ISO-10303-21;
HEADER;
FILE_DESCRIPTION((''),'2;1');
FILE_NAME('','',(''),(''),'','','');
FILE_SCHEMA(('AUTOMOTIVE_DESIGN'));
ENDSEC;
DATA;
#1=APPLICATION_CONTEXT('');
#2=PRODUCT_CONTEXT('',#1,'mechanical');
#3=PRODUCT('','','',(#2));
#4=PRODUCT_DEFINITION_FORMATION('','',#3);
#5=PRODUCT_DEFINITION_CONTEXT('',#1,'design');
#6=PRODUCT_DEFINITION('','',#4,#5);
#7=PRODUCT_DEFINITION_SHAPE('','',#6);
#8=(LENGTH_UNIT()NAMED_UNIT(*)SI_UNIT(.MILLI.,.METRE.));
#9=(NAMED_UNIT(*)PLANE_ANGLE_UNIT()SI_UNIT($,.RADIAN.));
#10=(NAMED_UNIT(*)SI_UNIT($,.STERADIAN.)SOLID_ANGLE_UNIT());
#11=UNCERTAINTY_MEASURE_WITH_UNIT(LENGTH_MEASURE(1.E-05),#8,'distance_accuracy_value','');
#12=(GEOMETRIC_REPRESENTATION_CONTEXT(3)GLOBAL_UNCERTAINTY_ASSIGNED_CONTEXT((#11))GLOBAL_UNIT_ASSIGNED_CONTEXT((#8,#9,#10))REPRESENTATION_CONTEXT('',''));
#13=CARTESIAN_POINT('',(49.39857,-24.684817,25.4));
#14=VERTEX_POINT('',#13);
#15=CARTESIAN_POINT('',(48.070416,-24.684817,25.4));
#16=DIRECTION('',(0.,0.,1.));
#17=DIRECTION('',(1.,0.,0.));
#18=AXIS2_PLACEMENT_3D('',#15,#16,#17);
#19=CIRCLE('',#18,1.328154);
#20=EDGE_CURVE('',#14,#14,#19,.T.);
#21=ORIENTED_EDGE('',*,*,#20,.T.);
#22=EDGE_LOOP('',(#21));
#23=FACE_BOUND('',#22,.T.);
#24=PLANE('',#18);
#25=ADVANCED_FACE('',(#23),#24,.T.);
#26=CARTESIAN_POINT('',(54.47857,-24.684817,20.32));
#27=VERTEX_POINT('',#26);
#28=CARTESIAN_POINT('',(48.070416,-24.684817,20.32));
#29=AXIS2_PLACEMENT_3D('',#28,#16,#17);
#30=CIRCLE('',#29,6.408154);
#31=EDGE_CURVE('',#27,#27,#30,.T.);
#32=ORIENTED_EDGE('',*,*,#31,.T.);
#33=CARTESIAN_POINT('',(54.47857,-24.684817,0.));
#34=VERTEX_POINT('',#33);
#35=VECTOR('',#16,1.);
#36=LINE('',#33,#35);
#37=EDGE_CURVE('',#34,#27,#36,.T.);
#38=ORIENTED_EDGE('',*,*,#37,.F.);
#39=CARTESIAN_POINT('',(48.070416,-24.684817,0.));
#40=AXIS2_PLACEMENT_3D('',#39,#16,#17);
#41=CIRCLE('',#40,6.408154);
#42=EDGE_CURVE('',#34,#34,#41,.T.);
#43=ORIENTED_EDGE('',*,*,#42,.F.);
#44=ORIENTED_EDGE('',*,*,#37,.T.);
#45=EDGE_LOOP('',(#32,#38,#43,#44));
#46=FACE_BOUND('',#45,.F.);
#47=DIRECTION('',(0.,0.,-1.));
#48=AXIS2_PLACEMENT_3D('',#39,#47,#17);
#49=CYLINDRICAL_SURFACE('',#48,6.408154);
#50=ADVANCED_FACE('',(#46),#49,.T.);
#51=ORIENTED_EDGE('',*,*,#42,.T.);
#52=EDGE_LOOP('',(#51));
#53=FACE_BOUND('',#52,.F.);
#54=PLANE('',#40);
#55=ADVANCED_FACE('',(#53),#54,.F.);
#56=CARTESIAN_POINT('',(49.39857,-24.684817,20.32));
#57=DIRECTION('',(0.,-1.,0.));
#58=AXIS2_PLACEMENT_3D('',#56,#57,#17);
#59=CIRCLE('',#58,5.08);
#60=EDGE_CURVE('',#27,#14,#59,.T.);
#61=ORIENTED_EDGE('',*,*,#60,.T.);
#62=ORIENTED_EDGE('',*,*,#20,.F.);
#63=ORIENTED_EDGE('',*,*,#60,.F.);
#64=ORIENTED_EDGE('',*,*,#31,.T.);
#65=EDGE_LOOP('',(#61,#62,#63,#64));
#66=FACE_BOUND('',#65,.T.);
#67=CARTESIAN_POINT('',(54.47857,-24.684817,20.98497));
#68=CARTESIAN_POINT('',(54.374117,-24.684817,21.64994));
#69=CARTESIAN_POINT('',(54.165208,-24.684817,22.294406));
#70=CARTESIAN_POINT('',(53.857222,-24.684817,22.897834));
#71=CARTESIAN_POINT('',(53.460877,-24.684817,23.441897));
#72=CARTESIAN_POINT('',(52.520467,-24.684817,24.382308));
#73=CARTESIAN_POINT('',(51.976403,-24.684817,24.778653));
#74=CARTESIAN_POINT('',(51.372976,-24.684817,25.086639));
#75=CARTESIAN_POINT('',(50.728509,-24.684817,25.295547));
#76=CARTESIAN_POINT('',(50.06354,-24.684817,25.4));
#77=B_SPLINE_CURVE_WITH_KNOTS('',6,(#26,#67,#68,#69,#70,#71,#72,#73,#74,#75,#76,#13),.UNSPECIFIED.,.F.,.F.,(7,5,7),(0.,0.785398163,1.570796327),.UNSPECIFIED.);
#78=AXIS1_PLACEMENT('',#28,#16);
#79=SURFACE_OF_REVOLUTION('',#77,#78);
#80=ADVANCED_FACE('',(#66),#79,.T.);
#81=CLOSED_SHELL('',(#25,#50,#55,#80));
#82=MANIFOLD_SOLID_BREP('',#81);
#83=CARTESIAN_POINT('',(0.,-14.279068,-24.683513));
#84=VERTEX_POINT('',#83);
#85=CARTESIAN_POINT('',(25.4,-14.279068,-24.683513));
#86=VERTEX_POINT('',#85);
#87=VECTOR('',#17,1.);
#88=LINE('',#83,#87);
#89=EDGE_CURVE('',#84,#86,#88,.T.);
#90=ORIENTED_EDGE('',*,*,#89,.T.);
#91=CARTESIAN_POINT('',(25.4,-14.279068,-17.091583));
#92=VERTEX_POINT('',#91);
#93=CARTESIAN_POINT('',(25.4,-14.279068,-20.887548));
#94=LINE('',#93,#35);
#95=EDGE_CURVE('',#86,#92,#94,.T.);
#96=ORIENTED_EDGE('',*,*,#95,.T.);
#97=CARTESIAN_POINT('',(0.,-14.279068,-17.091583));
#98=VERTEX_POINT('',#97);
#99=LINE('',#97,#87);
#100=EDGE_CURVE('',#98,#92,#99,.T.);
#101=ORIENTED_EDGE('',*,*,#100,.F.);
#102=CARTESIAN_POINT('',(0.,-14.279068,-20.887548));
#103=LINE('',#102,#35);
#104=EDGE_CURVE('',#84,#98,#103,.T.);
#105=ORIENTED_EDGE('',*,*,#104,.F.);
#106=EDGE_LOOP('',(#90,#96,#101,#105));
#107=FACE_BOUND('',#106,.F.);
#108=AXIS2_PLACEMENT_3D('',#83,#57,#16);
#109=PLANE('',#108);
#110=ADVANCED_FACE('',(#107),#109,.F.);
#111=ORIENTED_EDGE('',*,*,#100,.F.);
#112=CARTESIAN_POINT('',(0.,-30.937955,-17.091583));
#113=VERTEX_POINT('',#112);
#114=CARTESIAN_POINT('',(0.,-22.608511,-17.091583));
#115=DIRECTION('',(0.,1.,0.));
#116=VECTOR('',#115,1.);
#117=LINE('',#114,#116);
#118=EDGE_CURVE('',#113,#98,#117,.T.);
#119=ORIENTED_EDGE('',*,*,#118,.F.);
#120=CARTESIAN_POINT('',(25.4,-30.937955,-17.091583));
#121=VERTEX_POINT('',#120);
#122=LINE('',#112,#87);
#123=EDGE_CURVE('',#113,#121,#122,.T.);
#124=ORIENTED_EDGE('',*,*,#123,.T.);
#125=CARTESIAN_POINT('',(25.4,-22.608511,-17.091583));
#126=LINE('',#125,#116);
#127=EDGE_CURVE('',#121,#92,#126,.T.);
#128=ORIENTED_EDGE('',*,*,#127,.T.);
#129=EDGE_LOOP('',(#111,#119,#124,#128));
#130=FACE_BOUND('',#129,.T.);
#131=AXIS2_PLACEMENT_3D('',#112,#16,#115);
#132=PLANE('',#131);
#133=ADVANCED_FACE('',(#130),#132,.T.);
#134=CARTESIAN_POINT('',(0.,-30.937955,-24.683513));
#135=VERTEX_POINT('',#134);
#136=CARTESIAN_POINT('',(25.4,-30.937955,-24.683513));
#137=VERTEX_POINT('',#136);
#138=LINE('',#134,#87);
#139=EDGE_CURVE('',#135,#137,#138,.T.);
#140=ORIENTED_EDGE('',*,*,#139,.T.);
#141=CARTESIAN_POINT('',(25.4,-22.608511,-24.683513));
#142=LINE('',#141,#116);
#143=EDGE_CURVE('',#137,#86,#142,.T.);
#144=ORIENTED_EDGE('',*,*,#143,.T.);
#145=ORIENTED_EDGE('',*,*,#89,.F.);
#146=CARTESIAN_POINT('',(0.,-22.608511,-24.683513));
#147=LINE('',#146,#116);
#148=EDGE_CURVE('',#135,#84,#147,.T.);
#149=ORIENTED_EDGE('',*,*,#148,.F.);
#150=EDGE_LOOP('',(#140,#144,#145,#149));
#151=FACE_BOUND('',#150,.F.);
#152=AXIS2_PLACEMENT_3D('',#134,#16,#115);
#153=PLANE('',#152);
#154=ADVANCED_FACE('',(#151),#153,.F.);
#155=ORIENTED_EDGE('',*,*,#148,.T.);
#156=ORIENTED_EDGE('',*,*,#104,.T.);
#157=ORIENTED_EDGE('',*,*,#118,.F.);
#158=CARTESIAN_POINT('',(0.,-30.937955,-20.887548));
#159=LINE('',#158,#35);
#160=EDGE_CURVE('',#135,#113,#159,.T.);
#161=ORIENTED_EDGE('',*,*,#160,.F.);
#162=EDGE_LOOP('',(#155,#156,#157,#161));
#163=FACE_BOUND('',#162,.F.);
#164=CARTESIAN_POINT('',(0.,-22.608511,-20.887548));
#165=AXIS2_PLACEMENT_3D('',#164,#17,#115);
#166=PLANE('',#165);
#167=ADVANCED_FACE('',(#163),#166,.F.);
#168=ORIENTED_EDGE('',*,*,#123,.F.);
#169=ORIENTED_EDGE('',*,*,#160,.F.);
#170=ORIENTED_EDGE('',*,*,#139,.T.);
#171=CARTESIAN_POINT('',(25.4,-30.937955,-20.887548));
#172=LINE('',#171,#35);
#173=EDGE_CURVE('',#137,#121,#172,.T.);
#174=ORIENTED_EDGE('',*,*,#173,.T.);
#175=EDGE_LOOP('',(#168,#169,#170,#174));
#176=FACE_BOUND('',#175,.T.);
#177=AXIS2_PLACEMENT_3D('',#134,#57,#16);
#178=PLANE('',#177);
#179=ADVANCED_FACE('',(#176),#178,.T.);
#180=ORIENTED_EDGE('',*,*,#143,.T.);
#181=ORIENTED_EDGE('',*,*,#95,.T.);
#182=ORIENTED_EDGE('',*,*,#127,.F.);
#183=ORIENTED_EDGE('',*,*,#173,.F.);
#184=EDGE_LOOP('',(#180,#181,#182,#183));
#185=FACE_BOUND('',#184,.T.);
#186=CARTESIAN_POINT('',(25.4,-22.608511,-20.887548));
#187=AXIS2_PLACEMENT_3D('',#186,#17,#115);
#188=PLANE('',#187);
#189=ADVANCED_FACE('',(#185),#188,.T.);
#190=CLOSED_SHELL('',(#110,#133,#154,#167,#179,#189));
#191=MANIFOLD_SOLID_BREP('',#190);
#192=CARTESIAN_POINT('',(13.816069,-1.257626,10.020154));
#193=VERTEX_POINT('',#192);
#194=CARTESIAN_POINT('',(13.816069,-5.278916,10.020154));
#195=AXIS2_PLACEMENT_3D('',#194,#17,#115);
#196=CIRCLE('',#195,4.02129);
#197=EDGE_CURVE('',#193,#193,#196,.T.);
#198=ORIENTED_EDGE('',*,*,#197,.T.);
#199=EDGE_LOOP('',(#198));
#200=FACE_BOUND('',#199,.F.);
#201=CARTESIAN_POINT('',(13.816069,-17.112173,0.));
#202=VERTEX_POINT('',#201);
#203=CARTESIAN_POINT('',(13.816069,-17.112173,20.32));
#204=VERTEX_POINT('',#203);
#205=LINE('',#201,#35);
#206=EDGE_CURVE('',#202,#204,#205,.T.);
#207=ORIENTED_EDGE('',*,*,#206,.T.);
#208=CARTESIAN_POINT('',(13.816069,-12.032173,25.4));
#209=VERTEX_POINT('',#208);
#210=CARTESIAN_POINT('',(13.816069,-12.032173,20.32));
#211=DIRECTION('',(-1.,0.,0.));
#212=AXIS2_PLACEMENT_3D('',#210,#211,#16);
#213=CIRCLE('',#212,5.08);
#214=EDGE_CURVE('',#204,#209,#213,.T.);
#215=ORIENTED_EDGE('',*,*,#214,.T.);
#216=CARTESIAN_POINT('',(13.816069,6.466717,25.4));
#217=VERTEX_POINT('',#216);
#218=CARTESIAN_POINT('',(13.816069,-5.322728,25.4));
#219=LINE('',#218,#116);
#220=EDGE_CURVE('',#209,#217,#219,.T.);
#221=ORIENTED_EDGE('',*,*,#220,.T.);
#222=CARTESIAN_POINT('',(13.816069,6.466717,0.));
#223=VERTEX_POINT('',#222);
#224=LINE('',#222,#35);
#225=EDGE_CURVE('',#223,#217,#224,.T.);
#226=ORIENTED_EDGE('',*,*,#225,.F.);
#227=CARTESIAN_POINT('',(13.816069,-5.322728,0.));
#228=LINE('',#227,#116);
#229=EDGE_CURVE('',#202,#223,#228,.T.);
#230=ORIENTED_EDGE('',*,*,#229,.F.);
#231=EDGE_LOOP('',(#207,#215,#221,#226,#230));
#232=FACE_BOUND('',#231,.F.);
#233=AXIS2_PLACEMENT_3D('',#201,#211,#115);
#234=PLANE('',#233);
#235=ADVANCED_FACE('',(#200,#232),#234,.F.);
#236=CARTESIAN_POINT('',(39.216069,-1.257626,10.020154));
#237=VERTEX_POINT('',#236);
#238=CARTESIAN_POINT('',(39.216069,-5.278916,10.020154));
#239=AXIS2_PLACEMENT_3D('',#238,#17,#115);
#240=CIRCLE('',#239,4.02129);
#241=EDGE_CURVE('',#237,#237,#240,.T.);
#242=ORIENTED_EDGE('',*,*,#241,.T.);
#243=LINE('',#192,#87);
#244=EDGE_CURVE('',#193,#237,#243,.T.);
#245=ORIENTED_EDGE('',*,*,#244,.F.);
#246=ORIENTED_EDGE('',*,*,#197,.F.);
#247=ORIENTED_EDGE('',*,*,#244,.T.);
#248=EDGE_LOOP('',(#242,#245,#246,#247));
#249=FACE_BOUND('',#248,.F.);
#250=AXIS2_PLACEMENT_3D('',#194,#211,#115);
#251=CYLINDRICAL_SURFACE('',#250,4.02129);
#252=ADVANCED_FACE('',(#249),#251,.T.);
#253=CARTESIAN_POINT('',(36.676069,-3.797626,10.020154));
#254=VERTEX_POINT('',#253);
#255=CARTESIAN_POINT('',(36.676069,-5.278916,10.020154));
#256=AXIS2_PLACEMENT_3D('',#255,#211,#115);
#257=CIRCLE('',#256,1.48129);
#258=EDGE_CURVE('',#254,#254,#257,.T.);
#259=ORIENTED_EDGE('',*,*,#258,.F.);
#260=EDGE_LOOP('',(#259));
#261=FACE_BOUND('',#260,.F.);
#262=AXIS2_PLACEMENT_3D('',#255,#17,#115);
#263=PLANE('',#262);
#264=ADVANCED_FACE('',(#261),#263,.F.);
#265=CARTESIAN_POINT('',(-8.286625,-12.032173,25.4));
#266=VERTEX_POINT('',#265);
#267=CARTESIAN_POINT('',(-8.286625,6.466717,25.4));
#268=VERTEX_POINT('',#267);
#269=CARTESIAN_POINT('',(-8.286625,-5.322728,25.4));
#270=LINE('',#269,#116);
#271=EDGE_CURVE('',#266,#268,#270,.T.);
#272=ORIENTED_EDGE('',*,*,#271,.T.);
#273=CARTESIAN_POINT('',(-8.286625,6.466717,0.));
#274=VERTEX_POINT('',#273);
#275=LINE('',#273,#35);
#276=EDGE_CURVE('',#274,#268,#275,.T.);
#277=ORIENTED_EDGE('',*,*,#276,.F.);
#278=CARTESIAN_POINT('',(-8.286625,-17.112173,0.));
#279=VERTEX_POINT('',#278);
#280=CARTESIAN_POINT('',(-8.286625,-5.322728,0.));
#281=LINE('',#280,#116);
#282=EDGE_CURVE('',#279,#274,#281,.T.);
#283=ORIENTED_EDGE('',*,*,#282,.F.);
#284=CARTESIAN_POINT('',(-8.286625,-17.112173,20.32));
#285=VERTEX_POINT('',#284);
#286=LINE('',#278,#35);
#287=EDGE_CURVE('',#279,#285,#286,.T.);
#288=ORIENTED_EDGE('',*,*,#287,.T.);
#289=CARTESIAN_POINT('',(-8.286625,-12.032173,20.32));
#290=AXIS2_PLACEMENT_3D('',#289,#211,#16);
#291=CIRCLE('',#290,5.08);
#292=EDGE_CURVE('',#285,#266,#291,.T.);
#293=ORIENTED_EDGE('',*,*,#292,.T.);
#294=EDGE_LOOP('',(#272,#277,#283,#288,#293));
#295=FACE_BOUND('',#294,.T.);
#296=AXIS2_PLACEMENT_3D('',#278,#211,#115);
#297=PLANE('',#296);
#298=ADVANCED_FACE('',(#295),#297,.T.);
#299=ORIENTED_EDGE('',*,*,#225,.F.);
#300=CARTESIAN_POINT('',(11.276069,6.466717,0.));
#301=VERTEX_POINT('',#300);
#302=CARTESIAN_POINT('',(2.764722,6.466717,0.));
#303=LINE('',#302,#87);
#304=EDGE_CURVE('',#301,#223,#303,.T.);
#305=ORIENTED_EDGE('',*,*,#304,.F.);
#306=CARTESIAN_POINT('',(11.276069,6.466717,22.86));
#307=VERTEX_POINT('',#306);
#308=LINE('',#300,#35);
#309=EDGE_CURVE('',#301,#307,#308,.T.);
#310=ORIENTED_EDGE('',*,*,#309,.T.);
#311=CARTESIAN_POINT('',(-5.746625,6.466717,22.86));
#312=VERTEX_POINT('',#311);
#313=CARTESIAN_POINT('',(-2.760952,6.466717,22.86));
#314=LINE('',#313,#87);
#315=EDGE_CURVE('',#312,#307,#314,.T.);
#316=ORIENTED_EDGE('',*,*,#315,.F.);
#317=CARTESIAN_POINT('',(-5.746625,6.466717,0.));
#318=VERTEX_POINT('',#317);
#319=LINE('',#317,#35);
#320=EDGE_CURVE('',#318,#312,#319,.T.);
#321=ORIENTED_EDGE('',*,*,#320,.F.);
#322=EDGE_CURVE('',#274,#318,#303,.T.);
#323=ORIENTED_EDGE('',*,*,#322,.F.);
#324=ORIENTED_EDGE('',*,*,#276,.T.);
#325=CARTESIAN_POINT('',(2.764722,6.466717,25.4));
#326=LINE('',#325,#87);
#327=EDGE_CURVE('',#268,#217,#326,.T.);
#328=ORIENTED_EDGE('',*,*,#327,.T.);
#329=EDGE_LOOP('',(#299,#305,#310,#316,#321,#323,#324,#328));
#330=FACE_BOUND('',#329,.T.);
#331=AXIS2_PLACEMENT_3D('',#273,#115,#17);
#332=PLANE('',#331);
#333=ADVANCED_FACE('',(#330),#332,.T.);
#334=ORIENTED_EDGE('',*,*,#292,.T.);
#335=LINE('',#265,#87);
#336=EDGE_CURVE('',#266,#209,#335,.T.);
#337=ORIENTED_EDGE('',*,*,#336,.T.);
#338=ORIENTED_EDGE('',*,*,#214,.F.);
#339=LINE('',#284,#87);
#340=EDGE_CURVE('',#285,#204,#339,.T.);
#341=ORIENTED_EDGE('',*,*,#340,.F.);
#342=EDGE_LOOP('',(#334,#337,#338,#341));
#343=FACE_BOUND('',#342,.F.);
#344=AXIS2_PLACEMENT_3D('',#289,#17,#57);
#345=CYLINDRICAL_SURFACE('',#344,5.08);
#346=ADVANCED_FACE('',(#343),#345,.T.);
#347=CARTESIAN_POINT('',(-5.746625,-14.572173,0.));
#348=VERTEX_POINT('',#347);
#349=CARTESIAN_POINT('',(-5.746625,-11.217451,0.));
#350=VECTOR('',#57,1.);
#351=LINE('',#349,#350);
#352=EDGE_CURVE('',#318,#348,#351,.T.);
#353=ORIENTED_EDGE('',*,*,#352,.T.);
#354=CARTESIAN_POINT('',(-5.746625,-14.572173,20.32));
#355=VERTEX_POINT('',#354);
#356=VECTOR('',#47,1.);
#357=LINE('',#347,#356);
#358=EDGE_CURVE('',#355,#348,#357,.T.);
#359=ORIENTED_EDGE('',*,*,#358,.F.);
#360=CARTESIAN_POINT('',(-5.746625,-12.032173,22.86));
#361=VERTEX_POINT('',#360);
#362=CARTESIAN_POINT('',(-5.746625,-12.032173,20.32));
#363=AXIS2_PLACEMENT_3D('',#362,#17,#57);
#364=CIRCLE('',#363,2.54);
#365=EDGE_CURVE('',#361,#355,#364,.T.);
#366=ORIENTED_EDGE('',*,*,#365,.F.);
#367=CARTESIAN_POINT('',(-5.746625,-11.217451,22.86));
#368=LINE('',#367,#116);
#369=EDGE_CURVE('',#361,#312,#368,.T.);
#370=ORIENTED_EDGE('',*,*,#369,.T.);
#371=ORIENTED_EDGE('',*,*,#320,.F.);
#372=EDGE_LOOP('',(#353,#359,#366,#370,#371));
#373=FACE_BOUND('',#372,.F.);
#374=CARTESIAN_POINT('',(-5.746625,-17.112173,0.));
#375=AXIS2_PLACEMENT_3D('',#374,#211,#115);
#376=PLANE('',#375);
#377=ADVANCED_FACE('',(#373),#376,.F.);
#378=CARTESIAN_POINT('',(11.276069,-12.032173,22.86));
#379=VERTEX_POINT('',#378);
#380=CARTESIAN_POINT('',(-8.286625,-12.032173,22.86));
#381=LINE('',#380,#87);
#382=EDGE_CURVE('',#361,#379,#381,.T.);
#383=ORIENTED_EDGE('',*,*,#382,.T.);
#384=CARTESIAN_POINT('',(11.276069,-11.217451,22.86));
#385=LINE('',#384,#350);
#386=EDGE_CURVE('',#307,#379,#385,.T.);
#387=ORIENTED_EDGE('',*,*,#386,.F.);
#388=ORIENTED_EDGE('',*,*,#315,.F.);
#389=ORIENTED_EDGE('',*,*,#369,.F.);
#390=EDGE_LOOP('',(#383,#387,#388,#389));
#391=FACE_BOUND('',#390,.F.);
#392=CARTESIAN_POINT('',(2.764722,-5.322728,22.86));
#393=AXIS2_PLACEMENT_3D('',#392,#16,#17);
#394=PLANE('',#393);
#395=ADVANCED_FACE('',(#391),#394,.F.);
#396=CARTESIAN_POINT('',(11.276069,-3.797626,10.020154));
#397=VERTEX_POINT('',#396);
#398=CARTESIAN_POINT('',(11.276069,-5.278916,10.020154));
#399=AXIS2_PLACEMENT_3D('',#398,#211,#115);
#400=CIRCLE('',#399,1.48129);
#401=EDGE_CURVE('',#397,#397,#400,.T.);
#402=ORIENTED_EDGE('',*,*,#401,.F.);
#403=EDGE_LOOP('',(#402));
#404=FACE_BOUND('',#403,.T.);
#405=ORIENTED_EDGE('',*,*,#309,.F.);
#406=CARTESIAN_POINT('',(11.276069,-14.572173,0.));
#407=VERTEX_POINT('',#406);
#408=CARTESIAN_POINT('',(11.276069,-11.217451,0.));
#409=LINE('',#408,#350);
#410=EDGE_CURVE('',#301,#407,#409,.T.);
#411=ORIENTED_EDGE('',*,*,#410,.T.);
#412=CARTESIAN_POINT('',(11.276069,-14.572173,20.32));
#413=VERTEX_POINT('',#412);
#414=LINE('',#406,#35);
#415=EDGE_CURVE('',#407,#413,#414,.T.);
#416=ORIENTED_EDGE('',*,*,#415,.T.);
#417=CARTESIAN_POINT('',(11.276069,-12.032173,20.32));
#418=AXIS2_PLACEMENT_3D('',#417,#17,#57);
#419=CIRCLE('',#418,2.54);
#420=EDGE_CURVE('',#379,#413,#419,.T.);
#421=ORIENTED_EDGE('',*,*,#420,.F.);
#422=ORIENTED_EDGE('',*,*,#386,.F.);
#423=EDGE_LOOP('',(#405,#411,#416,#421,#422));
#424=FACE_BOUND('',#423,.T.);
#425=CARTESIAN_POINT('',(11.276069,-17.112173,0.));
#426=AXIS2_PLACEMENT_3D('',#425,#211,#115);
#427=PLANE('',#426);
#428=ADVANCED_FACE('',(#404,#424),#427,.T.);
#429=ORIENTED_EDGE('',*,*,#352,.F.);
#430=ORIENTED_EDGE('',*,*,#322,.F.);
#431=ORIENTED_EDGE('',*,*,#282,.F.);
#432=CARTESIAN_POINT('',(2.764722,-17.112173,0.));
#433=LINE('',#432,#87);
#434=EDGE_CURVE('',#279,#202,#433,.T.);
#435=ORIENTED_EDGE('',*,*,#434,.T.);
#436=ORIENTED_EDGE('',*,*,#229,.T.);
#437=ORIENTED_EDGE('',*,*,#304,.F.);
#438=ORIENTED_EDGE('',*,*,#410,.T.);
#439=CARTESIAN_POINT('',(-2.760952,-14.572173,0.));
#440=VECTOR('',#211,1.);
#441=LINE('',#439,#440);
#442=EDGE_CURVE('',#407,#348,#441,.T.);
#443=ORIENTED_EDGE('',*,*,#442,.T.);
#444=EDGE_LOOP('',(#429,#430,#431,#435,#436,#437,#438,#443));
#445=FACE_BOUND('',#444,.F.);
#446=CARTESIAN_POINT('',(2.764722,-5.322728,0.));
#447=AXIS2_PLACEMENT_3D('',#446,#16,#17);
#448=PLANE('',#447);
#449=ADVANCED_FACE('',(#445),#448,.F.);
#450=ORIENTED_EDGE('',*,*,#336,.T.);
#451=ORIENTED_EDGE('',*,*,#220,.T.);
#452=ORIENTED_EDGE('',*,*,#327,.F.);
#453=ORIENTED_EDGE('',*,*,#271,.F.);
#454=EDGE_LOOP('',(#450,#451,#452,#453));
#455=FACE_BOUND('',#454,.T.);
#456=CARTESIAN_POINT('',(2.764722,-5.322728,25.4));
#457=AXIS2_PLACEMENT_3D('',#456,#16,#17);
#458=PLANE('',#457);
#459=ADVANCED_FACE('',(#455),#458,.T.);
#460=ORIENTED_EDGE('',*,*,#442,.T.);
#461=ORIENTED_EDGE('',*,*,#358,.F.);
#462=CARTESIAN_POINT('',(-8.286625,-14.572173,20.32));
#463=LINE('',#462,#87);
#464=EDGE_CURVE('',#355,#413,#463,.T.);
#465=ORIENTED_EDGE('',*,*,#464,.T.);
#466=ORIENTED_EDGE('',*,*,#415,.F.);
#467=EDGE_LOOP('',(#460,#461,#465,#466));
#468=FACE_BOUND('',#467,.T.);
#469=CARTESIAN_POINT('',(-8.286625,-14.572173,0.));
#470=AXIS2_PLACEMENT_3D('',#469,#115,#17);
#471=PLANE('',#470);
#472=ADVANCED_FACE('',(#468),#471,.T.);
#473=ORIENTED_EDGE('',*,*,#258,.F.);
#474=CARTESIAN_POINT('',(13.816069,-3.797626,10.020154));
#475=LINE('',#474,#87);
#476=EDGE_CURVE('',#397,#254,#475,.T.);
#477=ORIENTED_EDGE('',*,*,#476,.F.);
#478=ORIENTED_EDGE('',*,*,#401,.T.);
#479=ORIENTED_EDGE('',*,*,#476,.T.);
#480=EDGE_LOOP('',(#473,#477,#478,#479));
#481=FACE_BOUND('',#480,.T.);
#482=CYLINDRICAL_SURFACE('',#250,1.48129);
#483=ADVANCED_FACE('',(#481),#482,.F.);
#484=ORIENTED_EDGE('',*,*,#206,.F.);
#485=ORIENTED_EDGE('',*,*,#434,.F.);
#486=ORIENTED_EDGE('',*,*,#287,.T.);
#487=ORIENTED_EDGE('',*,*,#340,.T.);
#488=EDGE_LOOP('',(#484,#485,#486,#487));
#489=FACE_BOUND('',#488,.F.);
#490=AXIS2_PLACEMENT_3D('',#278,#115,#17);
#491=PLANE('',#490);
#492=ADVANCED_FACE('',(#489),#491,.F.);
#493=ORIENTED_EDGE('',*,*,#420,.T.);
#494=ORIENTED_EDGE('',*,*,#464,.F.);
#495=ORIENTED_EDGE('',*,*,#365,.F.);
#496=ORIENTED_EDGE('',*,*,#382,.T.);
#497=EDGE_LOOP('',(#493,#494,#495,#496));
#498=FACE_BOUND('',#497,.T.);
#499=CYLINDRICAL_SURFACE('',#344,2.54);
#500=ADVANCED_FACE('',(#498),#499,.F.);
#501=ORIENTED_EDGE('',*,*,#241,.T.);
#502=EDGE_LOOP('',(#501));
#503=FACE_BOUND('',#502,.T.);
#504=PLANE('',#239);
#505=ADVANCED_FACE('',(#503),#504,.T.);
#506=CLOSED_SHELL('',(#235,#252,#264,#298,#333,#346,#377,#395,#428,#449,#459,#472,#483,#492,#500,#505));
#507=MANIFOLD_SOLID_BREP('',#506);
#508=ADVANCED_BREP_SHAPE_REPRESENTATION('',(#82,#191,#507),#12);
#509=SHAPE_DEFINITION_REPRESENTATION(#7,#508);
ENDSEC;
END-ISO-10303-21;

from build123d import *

# Parameters (mm, degrees)
F0_W      = 22.1026940271
F0_H      = 23.578889668
F1_DEPTH  = 25.4
F3_R      = 6.4081538326
F4_DEPTH  = 25.4
F5_R      = 5.08
F5_2_R    = 5.08
F6_R      = 4.0212899702
F7_DEPTH  = 25.4
F8_T      = -2.54
F9_W      = 16.6588872671
F9_H      = 7.5919292867
F10_DEPTH = 25.4


with BuildPart() as f1:
    # F0 (on Top) → F1 (new body)
    with BuildSketch(Plane.XY):
        with Locations((2.7647218667, -5.3227283061)):
            Rectangle(F0_W, F0_H)
    extrude(amount=F1_DEPTH)

    # F5
    f5_edges = [f1.edges().sort_by_distance(p)[0] for p in [
        (2.764722, -17.112173, 25.4),
    ]]
    fillet(f5_edges, radius=F5_R)

    # F6 (on face) → F7 (join)
    with BuildSketch(Plane.YZ.offset(13.8160688803)):
        with Locations((-5.2789159967, 10.0201541813)):
            Circle(F6_R)
    extrude(amount=F7_DEPTH)

    # F8
    f8_openings = [f1.faces().sort_by_distance(p)[0] for p in [
        (2.764722, -5.322728, 0),
        (2.764722, 6.466717, 12.7),
    ]]
    offset(amount=F8_T, openings=f8_openings, kind=Kind.INTERSECTION)


with BuildPart() as f4:
    # F3 (on Top) → F4 (new body)
    with BuildSketch(Plane.XY):
        with Locations((48.0704158545, -24.6848165989)):
            Circle(F3_R)
    extrude(amount=F4_DEPTH)

    # F5#2
    f5_2_edges = [f4.edges().sort_by_distance(p)[0] for p in [
        (41.662262, -24.684817, 25.4),
    ]]
    fillet(f5_2_edges, radius=F5_2_R)


with BuildPart() as f10:
    # F9 (on Right) → F10 (new body)
    with BuildSketch(Plane.YZ):
        with Locations((-22.6085111499, -20.8875481039)):
            Rectangle(F9_W, F9_H)
    extrude(amount=F10_DEPTH)


solid = Compound([f1.part, f4.part, f10.part])
